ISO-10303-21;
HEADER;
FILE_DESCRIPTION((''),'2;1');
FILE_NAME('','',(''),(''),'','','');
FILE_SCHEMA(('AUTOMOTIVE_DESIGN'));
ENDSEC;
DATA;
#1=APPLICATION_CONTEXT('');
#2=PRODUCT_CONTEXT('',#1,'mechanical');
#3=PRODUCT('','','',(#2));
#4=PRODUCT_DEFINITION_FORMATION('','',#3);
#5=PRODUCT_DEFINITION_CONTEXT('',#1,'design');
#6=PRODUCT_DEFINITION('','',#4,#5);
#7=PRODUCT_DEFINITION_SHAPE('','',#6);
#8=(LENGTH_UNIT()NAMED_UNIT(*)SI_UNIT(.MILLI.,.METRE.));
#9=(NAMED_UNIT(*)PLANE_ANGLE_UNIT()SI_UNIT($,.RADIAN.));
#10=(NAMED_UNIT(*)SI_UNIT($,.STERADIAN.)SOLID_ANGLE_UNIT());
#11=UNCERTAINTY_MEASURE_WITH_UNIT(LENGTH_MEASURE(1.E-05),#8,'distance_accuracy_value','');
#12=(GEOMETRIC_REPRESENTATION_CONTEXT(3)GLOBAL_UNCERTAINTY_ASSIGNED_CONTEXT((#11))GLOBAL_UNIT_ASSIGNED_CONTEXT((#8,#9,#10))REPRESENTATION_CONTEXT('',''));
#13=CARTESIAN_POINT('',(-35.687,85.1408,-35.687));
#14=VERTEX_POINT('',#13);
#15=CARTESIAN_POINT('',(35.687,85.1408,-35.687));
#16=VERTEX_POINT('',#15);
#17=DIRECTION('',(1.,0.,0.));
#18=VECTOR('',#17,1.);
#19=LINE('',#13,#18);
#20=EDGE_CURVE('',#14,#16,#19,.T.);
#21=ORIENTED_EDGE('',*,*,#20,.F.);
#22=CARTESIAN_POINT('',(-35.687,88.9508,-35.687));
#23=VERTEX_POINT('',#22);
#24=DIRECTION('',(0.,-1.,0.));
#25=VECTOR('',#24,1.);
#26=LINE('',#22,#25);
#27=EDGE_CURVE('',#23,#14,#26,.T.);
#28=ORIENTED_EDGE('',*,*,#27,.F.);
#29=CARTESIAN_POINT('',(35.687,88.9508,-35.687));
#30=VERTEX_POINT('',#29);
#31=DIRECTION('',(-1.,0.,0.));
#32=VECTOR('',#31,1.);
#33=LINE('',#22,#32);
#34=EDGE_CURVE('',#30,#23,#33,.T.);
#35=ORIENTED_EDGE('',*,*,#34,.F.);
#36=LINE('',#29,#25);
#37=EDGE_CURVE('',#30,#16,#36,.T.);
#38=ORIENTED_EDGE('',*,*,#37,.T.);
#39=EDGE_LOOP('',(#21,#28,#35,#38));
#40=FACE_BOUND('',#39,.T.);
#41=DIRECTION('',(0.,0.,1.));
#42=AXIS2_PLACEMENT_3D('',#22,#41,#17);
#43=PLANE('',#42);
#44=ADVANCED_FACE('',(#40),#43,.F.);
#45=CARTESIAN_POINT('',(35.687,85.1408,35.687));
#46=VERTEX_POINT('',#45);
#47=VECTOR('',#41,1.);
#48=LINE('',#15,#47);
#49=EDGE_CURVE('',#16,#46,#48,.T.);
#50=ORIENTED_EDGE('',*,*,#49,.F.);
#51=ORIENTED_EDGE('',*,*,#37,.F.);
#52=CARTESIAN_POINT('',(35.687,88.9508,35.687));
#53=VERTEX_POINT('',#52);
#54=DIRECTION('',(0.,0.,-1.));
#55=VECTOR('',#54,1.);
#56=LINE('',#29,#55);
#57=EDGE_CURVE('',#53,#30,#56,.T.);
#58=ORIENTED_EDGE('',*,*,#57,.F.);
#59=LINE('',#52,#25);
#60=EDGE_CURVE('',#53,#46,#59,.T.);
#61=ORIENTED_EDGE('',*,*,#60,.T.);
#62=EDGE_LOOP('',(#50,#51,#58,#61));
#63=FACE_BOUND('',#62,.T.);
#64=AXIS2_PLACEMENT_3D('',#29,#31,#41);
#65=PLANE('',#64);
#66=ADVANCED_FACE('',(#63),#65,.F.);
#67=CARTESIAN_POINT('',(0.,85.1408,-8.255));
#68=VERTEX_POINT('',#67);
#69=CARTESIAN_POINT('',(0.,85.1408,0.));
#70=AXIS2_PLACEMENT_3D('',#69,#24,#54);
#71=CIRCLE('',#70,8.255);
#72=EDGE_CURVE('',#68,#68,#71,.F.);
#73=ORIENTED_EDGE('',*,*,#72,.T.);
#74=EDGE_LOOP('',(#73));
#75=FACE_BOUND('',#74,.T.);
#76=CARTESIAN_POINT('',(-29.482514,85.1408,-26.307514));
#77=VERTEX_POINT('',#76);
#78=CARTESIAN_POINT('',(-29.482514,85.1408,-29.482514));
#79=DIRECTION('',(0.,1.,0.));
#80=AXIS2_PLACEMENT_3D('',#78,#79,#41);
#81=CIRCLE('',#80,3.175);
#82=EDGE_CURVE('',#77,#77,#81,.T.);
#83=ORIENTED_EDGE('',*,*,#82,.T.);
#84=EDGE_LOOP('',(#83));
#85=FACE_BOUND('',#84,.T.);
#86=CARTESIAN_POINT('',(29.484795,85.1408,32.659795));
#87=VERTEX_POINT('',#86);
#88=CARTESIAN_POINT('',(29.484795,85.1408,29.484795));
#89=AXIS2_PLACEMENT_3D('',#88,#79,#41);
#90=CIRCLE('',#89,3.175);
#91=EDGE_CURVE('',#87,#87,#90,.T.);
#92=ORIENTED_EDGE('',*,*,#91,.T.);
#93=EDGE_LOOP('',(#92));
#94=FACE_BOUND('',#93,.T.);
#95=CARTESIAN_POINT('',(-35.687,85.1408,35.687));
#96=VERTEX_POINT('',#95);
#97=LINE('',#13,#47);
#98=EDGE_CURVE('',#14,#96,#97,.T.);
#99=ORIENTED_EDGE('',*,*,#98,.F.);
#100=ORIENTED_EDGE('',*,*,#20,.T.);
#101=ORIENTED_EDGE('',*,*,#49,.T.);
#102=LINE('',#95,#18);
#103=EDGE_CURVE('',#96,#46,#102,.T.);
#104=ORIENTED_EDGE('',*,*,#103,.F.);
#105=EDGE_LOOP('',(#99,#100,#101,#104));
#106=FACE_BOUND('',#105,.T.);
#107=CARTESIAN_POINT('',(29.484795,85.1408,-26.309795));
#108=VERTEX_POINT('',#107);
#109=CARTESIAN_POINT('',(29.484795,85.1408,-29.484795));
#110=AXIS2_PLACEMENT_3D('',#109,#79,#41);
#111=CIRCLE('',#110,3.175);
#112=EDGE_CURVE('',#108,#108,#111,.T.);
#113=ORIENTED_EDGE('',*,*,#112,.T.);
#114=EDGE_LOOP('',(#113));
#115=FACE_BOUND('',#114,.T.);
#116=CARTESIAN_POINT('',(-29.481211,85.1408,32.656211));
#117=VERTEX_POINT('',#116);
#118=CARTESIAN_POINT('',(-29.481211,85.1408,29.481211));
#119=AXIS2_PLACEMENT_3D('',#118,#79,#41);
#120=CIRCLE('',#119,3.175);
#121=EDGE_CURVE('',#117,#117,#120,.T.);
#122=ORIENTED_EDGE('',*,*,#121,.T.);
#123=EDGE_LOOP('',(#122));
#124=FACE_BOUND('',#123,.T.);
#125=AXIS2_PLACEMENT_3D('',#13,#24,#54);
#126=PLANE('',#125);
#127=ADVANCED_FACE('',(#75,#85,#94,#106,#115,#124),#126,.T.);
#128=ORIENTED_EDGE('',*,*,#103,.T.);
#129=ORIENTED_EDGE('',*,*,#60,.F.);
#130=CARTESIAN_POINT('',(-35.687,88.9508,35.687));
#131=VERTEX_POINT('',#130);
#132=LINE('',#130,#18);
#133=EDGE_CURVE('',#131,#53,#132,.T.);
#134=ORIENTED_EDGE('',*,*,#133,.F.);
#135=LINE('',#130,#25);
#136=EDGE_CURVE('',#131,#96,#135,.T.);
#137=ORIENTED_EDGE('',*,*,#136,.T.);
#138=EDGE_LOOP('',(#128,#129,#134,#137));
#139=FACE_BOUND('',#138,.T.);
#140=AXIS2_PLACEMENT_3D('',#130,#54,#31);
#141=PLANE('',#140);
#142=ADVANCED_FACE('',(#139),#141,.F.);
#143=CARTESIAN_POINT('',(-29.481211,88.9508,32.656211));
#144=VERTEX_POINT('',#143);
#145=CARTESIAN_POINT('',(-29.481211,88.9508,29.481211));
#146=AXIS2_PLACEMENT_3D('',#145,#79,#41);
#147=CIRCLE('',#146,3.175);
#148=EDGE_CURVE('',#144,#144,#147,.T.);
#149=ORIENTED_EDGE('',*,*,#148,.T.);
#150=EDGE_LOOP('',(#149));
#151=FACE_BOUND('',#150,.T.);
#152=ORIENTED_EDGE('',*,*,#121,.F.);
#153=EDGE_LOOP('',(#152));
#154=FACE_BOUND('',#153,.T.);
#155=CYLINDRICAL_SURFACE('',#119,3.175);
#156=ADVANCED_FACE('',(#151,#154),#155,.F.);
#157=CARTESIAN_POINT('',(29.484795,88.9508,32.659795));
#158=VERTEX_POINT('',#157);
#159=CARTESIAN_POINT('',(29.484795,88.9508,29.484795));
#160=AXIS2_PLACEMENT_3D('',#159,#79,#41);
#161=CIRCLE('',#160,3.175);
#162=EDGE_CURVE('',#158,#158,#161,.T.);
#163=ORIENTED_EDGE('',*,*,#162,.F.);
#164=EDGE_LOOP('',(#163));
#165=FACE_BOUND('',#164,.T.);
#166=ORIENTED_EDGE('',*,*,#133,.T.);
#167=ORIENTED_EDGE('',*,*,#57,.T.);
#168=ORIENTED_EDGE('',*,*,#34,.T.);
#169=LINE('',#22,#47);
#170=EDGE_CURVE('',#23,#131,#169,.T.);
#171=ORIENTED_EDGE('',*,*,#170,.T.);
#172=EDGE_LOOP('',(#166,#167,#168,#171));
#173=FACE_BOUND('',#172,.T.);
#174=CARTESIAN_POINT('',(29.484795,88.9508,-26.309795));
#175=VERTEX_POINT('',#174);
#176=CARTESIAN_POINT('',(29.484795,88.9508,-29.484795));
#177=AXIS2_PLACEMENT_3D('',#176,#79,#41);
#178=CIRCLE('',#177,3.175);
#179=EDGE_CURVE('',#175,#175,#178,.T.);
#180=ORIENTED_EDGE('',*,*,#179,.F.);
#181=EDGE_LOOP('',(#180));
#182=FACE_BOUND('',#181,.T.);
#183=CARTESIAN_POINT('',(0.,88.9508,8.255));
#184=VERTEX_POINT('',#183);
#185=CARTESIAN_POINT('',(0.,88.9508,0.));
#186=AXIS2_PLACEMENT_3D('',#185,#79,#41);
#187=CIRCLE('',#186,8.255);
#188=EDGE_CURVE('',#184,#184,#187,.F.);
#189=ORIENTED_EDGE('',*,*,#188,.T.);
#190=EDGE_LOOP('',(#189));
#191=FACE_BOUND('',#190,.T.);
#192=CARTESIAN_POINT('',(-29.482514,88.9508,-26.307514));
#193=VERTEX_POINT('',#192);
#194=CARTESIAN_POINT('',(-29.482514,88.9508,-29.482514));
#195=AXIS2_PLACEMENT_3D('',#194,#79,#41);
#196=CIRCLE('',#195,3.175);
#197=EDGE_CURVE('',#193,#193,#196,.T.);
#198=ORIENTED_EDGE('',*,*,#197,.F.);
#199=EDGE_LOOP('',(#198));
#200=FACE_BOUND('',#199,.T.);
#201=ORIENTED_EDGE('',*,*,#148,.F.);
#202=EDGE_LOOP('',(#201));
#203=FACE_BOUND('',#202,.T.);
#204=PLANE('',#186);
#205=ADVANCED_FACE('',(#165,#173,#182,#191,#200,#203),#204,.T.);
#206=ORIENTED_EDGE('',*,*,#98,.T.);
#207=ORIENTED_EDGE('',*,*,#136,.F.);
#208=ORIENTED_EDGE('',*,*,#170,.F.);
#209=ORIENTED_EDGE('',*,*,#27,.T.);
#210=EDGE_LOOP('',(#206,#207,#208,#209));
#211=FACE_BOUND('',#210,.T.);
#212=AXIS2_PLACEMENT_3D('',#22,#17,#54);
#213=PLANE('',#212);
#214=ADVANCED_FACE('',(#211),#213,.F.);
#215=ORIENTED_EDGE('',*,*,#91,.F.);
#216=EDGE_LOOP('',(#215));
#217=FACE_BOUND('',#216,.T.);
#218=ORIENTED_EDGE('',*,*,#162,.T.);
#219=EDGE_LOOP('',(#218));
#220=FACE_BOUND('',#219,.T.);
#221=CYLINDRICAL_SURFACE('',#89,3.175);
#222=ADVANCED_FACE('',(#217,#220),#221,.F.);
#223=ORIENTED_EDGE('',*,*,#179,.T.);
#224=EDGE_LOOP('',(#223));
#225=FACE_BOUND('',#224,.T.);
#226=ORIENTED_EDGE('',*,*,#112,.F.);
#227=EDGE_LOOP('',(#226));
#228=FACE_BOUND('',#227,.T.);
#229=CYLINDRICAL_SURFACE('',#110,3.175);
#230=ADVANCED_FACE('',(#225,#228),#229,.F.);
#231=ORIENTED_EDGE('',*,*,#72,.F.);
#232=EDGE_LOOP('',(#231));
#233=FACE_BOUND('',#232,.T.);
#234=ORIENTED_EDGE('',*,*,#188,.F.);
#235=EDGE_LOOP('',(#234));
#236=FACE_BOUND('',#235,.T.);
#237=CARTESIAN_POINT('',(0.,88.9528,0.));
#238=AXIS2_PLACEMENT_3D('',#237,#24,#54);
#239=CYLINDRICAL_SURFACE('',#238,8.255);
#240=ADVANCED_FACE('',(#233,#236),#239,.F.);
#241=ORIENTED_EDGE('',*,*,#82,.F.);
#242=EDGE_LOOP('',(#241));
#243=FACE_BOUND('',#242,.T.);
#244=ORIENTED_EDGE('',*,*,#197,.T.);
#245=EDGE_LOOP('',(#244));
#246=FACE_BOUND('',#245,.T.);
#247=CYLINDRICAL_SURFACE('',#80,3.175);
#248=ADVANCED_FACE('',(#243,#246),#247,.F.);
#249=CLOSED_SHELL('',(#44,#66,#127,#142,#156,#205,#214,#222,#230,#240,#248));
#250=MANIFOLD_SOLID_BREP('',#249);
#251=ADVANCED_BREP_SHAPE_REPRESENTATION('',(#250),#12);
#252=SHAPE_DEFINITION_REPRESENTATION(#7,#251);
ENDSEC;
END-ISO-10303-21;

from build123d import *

# Parameters (mm, degrees)
SKETCH3_W            = 71.374
SKETCH3_H            = 71.374
BOSS_EXTRUDE1_DEPTH  = 88.9508
SHELL1_T             = 5.08
CUT_EXTRUDE1_REACH   = 7.08
SKETCH4_R            = 8.255
SKETCH15_OUTSIDE_W   = 100.282
SKETCH15_OUTSIDE_H   = 117.859
SKETCH15_OUTSIDE_W_2 = 71.374
SKETCH15_OUTSIDE_H_2 = 3.81
CUT_EXTRUDE14_DEPTH  = 72.374
CUT_EXTRUDE15_START  = 88.9508
SKETCH20_R           = 3.175
CUT_EXTRUDE15_DEPTH  = 89.9508
SKETCH6_W            = 71.374
SKETCH6_H            = 5.08
CUT_EXTRUDE3_DEPTH   = 5.08


with BuildPart() as part:
    # Sketch3 → Boss-Extrude1 (new body)
    with BuildSketch(Plane(origin=(0, 0, 0), x_dir=(1, 0, 0), z_dir=(0, 1, 0))):
        Rectangle(SKETCH3_W, SKETCH3_H)
    extrude(amount=BOSS_EXTRUDE1_DEPTH)

    # Shell1 (no face opened: a closed hollow body)
    add(offset(amount=-SHELL1_T, mode=Mode.PRIVATE), mode=Mode.SUBTRACT)

    # Sketch4 → Cut-Extrude1 (cut, up to next)
    with BuildSketch(Plane(origin=(0, 83.8708, 0), x_dir=(-1, 0, 0), z_dir=(0, -1, 0)), mode=Mode.PRIVATE) as cut_extrude1_sk1:
        Circle(SKETCH4_R)
    cut_extrude1_tool1 = extrude(cut_extrude1_sk1.sketch, amount=-CUT_EXTRUDE1_REACH, mode=Mode.PRIVATE) & part.part
    add(cut_extrude1_tool1.solids().sort_by_distance((0, 83.8708, 0))[0], mode=Mode.SUBTRACT)

    # Sketch15 outside → Cut-Extrude14 (cut, through all)
    with BuildSketch(Plane.XY.offset(35.687)):
        with Locations((0, 44.4755)):
            Rectangle(SKETCH15_OUTSIDE_W, SKETCH15_OUTSIDE_H)
        with Locations((0, 87.0458)):
            Rectangle(SKETCH15_OUTSIDE_W_2, SKETCH15_OUTSIDE_H_2, mode=Mode.SUBTRACT)
    extrude(amount=-CUT_EXTRUDE14_DEPTH, mode=Mode.SUBTRACT)

    # Sketch20 → Cut-Extrude15 (cut, through all)
    with BuildSketch(Plane(origin=(0, 0, 0), x_dir=(1, 0, 0), z_dir=(0, 1, 0)).offset(CUT_EXTRUDE15_START)):
        with Locations((-29.482513587, 29.482513587)):
            Circle(SKETCH20_R)
        with Locations((29.484795022, -29.484795022)):
            Circle(SKETCH20_R)
        with Locations((-29.48121109, -29.48121109)):
            Circle(SKETCH20_R)
        with Locations((29.484795022, 29.484795022)):
            Circle(SKETCH20_R)
    extrude(amount=-CUT_EXTRUDE15_DEPTH, mode=Mode.SUBTRACT)

    # Sketch6 → Cut-Extrude3 (cut)
    with BuildSketch(Plane(origin=(0, 0, 30.607), x_dir=(-1, 0, 0), z_dir=(0, 0, -1))):
        with Locations((0, 2.54)):
            Rectangle(SKETCH6_W, SKETCH6_H)
    extrude(amount=-CUT_EXTRUDE3_DEPTH, mode=Mode.SUBTRACT)


solid = part.part
